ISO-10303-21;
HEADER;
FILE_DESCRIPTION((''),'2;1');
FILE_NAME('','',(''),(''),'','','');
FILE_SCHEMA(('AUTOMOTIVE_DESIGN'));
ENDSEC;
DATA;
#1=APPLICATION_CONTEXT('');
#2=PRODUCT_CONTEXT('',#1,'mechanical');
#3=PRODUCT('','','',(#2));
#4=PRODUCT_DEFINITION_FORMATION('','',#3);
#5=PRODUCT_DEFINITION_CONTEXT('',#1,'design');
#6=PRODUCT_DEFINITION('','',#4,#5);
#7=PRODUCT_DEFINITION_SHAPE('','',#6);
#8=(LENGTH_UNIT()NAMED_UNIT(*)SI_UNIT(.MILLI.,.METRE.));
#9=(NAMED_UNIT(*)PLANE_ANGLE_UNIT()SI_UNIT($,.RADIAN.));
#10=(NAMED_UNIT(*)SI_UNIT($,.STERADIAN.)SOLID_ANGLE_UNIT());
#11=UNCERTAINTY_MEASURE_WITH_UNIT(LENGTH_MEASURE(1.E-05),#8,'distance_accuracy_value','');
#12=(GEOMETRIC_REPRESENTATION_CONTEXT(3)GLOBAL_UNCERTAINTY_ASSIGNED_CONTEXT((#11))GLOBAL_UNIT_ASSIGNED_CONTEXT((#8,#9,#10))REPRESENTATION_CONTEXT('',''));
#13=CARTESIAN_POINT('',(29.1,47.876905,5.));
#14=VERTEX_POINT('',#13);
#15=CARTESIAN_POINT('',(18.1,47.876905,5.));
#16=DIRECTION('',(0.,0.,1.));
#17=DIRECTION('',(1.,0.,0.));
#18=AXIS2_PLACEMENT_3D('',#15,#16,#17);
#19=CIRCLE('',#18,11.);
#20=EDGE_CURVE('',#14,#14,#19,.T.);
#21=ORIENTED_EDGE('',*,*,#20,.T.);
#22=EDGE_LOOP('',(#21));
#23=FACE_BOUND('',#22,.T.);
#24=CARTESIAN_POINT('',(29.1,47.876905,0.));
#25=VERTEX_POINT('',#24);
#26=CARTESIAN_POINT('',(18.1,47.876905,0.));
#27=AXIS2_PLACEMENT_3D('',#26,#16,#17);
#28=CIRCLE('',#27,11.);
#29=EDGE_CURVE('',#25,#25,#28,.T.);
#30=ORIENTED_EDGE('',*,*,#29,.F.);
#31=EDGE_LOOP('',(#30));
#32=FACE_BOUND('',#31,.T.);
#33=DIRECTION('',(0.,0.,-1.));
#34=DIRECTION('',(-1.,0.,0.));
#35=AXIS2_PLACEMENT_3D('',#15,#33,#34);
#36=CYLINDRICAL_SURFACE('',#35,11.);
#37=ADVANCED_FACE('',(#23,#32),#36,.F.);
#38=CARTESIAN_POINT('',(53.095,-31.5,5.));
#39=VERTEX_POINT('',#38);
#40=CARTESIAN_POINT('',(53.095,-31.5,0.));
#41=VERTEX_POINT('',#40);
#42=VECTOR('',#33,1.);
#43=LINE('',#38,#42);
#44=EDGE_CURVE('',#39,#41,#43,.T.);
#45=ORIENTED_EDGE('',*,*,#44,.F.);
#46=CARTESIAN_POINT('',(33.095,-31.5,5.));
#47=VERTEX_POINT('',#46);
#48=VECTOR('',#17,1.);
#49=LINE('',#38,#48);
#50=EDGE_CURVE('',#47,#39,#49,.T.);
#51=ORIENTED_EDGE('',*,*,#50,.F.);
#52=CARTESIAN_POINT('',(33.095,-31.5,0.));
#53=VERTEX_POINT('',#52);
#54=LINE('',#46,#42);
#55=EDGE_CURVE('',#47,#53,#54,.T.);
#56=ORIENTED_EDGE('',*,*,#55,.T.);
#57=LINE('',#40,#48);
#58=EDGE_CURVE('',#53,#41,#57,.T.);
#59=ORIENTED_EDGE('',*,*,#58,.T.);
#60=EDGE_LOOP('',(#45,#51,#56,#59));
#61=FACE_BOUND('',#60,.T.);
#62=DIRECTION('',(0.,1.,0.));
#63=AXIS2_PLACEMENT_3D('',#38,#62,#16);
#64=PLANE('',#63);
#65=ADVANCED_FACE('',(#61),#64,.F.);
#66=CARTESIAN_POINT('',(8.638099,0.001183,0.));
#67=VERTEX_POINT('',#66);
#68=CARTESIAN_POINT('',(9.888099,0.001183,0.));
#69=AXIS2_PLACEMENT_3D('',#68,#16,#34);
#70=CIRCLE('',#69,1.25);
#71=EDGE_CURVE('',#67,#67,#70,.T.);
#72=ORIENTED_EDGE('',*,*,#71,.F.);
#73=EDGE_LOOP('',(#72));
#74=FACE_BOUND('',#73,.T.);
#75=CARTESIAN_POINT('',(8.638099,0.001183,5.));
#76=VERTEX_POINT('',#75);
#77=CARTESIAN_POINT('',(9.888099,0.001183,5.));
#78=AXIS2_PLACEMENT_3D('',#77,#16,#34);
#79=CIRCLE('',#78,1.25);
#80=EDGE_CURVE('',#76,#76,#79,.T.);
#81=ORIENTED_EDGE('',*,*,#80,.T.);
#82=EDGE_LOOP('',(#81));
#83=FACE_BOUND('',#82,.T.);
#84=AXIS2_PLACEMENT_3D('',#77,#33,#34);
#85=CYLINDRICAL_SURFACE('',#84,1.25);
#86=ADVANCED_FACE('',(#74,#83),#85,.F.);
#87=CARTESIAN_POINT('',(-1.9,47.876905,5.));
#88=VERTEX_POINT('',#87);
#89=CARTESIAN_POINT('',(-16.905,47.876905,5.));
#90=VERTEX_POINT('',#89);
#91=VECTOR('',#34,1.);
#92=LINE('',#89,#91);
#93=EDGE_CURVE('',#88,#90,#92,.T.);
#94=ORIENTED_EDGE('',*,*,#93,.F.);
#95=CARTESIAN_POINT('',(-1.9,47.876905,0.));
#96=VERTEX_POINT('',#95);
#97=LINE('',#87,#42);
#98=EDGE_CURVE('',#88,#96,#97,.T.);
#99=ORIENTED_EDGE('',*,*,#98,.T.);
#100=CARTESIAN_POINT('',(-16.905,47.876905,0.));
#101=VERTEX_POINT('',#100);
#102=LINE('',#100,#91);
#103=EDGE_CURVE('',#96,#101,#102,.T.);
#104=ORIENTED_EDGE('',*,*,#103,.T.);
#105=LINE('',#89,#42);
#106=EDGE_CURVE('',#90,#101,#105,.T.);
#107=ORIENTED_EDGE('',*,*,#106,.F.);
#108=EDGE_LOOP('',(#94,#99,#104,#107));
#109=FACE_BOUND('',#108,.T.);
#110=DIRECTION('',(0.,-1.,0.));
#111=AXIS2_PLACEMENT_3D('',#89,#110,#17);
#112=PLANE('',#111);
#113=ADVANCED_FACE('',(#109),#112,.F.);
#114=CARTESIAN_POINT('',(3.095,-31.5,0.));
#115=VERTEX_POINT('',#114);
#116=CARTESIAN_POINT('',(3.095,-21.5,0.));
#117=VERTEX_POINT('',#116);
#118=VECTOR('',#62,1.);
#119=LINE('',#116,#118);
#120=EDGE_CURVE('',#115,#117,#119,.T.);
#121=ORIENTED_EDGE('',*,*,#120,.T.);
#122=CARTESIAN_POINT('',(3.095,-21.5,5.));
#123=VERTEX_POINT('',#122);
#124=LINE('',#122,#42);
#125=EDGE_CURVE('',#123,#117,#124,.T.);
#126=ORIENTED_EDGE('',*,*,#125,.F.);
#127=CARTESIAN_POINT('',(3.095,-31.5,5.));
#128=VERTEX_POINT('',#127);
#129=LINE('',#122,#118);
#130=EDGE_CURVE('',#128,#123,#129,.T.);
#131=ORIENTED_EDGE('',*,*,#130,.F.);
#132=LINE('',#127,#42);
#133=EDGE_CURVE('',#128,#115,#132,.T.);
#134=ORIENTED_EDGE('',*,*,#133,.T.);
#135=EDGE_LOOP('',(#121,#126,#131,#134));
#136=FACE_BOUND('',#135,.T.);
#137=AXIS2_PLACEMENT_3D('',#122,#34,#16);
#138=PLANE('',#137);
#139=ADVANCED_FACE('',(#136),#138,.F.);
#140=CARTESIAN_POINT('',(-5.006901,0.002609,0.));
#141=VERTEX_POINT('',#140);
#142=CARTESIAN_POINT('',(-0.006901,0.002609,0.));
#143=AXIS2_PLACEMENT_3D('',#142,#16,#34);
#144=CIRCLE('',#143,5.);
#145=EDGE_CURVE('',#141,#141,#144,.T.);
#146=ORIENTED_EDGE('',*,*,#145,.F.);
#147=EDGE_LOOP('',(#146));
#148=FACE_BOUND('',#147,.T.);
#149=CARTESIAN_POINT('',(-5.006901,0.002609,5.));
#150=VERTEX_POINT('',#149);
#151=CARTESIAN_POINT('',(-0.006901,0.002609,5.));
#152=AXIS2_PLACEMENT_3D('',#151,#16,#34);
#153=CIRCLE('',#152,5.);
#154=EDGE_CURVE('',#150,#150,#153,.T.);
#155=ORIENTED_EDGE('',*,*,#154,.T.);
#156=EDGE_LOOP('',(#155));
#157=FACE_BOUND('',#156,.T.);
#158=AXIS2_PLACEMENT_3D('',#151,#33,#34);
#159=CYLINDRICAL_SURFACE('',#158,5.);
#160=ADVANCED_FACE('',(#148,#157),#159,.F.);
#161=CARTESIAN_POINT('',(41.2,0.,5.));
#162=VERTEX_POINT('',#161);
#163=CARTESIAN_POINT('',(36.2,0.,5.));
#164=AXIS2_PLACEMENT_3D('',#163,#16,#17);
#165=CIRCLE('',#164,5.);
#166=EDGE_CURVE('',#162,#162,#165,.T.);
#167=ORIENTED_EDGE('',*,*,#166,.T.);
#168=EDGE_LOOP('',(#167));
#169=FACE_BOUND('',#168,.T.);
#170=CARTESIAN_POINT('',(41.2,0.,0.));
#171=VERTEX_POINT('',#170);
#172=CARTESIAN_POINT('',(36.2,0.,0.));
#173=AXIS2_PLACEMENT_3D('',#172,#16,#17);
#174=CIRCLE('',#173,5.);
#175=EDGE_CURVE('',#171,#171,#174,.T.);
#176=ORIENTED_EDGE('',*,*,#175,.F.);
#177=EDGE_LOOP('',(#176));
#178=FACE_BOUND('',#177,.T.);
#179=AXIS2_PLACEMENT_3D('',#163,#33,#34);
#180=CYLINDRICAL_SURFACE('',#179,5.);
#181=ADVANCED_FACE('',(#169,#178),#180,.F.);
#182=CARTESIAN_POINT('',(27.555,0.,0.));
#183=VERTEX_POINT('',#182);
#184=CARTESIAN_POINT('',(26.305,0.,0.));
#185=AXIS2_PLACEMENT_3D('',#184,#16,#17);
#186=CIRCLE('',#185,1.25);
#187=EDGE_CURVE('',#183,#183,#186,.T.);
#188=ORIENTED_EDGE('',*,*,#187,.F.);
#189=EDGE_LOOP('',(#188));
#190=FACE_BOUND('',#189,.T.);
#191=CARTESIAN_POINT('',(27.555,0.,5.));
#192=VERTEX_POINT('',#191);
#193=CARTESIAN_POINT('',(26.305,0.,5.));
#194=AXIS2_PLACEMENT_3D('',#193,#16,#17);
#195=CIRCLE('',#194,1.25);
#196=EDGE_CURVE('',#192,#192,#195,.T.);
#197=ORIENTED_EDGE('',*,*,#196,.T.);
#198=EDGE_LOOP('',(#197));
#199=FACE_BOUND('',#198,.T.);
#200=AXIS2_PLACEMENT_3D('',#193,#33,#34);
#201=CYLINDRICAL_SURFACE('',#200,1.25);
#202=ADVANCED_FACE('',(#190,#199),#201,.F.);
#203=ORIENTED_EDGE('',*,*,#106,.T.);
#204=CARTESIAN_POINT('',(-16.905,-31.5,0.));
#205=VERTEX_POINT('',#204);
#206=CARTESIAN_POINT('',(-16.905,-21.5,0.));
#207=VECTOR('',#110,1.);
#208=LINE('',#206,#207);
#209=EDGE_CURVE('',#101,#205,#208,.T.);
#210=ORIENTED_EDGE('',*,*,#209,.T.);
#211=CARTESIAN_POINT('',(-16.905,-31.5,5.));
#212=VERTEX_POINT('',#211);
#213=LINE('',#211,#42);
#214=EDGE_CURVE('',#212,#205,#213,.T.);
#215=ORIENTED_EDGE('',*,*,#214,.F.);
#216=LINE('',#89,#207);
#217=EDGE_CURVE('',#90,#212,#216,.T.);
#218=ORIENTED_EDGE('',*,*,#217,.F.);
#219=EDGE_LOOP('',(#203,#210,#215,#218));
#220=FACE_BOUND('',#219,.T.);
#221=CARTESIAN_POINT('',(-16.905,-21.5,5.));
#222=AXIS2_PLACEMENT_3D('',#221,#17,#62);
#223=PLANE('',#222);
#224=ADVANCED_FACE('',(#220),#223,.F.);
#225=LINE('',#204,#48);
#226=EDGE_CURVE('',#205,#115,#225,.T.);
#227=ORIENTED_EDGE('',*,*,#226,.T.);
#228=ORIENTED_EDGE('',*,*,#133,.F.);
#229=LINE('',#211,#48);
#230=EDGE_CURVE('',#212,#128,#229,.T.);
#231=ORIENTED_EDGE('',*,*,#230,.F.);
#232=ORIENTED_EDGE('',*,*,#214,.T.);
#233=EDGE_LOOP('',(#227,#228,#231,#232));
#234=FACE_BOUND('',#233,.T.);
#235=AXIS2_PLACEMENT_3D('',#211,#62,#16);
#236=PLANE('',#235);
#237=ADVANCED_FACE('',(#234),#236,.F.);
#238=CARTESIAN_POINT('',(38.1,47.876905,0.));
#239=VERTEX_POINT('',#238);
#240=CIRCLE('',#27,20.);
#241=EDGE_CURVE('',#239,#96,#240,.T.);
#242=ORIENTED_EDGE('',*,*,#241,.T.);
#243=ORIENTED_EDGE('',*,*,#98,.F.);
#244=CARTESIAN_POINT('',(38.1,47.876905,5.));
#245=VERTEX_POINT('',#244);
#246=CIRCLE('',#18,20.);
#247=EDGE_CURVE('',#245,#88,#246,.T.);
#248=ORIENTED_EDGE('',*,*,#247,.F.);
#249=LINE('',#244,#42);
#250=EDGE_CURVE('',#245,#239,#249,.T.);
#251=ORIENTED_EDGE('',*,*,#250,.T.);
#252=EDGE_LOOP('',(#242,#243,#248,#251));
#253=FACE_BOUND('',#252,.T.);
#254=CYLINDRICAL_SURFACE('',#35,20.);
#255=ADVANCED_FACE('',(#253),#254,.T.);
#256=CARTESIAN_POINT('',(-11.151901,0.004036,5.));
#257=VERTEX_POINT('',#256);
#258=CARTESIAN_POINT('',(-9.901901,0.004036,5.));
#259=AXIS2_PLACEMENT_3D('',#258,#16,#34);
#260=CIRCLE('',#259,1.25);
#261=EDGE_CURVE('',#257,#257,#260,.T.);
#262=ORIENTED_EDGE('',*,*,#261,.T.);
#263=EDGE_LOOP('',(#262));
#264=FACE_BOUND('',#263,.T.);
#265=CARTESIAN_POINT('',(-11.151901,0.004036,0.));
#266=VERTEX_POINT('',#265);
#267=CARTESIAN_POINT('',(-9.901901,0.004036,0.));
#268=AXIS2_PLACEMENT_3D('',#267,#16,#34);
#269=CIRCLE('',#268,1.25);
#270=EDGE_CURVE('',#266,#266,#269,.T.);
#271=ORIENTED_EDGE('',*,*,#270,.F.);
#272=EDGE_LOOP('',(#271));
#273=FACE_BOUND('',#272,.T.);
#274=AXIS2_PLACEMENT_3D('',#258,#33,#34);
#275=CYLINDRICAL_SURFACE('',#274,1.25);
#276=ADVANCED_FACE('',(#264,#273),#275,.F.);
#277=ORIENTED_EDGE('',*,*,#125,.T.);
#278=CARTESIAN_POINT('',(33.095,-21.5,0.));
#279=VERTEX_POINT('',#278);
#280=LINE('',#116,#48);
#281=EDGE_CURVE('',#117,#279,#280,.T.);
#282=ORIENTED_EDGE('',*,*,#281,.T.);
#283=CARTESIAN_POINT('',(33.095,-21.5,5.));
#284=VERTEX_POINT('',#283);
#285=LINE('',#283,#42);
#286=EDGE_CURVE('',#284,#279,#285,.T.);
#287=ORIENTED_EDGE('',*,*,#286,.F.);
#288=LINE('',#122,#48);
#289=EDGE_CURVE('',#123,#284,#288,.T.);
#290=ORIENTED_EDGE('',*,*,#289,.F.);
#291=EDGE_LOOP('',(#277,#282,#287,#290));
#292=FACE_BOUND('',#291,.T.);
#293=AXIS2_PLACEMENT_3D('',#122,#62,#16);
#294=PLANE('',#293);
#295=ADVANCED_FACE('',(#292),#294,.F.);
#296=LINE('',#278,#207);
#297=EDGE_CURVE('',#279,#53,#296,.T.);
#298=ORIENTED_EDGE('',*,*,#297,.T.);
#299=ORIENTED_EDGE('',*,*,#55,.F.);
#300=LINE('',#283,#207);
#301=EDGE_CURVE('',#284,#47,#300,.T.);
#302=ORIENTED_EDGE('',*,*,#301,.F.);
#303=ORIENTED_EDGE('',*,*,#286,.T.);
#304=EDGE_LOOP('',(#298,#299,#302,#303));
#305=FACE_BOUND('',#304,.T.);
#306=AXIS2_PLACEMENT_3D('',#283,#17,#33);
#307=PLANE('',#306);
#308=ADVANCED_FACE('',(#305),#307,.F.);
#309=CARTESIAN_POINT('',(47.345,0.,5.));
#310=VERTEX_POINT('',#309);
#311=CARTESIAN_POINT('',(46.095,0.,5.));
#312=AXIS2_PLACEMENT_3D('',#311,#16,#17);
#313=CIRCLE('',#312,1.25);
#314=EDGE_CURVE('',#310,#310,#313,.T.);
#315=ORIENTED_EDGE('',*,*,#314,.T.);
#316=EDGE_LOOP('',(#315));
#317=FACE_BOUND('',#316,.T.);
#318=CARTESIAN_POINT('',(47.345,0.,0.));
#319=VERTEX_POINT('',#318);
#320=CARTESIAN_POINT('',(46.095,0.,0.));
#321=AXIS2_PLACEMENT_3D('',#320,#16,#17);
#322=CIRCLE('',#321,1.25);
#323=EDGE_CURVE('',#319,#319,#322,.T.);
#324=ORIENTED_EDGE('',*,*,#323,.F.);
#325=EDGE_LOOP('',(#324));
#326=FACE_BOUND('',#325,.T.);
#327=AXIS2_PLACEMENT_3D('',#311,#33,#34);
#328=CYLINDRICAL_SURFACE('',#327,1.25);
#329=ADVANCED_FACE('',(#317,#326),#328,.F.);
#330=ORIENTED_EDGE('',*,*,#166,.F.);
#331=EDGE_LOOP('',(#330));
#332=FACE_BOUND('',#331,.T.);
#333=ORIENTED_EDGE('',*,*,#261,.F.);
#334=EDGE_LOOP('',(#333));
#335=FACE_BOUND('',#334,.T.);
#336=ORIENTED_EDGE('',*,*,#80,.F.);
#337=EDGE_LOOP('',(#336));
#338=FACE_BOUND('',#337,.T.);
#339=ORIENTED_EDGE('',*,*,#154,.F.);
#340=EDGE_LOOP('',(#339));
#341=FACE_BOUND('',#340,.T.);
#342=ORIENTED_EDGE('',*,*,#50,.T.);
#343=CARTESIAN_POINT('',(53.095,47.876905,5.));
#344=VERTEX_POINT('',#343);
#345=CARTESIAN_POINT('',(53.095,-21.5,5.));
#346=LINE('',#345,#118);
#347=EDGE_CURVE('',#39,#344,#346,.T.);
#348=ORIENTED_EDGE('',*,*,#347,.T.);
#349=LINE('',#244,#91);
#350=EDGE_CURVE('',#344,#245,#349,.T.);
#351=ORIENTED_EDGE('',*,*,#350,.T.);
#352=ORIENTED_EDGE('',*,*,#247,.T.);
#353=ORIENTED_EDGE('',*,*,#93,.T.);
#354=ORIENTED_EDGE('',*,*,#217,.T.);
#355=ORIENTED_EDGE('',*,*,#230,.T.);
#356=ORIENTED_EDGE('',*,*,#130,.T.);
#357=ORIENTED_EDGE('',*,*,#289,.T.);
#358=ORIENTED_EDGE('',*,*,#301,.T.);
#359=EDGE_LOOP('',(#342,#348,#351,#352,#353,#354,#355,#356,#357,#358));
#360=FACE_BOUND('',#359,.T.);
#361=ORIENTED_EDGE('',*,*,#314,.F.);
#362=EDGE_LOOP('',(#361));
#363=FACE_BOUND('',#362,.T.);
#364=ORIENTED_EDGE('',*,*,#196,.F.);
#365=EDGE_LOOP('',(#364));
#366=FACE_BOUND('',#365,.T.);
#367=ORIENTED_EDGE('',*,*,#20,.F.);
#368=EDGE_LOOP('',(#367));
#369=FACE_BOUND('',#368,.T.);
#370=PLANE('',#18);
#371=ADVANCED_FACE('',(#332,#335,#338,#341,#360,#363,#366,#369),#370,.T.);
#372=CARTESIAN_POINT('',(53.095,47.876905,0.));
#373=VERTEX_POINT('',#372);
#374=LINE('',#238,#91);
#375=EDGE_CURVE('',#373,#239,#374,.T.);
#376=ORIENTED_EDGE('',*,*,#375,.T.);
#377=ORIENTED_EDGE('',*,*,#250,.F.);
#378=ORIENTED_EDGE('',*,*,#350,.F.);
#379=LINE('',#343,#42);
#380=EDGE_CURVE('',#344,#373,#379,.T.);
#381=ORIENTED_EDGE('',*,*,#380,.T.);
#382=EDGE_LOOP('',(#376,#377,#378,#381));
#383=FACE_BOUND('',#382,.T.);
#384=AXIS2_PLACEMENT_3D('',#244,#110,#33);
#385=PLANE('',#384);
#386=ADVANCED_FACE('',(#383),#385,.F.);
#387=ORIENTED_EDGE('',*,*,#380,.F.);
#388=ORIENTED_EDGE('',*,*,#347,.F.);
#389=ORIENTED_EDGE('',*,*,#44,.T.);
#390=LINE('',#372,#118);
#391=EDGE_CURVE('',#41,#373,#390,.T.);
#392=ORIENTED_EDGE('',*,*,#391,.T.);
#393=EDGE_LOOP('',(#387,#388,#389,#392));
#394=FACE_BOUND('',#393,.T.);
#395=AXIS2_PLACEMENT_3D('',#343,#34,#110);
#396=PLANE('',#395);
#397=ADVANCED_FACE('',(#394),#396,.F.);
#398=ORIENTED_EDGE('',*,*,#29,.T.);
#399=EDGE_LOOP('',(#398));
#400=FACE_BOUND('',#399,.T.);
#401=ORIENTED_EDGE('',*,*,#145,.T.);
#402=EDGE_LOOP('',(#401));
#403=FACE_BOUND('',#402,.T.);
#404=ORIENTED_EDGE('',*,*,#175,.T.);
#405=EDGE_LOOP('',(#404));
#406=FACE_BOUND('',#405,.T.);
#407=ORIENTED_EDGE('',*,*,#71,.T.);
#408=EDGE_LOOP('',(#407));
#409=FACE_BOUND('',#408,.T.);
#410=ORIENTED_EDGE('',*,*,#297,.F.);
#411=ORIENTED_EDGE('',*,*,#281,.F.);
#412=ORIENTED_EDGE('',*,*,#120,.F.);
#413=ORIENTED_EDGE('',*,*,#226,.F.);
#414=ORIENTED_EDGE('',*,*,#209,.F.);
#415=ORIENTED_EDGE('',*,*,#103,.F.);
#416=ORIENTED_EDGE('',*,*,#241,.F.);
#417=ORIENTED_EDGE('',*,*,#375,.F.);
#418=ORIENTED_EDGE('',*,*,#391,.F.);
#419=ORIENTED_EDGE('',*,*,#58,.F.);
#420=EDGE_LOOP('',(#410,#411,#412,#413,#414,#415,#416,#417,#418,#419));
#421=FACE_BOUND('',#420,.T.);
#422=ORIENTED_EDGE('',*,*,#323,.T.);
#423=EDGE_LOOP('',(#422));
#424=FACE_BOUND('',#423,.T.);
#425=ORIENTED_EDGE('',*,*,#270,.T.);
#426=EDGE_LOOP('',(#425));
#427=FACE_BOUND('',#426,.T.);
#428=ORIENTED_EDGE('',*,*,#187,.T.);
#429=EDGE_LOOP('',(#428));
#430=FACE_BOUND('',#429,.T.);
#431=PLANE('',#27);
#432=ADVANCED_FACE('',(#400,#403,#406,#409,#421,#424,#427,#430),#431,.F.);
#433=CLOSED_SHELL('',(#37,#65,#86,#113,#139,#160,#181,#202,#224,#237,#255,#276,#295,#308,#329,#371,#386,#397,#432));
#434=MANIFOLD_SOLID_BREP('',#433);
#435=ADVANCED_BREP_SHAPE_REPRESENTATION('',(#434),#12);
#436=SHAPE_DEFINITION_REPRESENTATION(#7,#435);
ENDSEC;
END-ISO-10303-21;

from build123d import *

# Parameters (mm, degrees)
SKETCH1_R           = 11
SKETCH1_R_2         = 1.25
SKETCH1_R_3         = 5
BOSS_EXTRUDE7_DEPTH = 5


with BuildPart() as part:
    # Sketch1 → Boss-Extrude7 (new body)
    with BuildSketch(Plane.XY):
        with BuildLine():
            Line((-16.905, 47.876904679), (-1.9, 47.876904679))
            ThreePointArc((-1.9, 47.876904679), (18.1, 67.876904679), (38.1, 47.876904679))
            Line((38.1, 47.876904679), (53.095, 47.876904679))
            Line((53.095, 47.876904679), (53.095, -21.5))
            Line((53.095, -21.5), (53.095, -31.5))
            Line((53.095, -31.5), (33.095, -31.5))
            Line((33.095, -31.5), (33.095, -21.5))
            Line((33.095, -21.5), (3.095, -21.5))
            Line((3.095, -21.5), (3.095, -31.5))
            Line((3.095, -31.5), (-16.905, -31.5))
            Line((-16.905, -31.5), (-16.905, -21.5))
            Line((-16.905, -21.5), (-16.905, 47.876904679))
        make_face()
        with Locations((18.1, 47.876904679)):
            Circle(SKETCH1_R, mode=Mode.SUBTRACT)
        with Locations((46.095, 0)):
            Circle(SKETCH1_R_2, mode=Mode.SUBTRACT)
        with Locations((36.2, 0)):
            Circle(SKETCH1_R_3, mode=Mode.SUBTRACT)
        with Locations((26.305, 0)):
            Circle(SKETCH1_R_2, mode=Mode.SUBTRACT)
        with Locations(Location((-9.901900695, 0.004035702, 0), (0, 0, 180))):
            Circle(SKETCH1_R_2, mode=Mode.SUBTRACT)
        with Locations(Location((9.888099099, 0.001183168, 0), (0, 0, 180))):
            Circle(SKETCH1_R_2, mode=Mode.SUBTRACT)
        with Locations(Location((-0.006900798, 0.002609435, 0), (0, 0, 180))):
            Circle(SKETCH1_R_3, mode=Mode.SUBTRACT)
    extrude(amount=BOSS_EXTRUDE7_DEPTH)


solid = part.part
